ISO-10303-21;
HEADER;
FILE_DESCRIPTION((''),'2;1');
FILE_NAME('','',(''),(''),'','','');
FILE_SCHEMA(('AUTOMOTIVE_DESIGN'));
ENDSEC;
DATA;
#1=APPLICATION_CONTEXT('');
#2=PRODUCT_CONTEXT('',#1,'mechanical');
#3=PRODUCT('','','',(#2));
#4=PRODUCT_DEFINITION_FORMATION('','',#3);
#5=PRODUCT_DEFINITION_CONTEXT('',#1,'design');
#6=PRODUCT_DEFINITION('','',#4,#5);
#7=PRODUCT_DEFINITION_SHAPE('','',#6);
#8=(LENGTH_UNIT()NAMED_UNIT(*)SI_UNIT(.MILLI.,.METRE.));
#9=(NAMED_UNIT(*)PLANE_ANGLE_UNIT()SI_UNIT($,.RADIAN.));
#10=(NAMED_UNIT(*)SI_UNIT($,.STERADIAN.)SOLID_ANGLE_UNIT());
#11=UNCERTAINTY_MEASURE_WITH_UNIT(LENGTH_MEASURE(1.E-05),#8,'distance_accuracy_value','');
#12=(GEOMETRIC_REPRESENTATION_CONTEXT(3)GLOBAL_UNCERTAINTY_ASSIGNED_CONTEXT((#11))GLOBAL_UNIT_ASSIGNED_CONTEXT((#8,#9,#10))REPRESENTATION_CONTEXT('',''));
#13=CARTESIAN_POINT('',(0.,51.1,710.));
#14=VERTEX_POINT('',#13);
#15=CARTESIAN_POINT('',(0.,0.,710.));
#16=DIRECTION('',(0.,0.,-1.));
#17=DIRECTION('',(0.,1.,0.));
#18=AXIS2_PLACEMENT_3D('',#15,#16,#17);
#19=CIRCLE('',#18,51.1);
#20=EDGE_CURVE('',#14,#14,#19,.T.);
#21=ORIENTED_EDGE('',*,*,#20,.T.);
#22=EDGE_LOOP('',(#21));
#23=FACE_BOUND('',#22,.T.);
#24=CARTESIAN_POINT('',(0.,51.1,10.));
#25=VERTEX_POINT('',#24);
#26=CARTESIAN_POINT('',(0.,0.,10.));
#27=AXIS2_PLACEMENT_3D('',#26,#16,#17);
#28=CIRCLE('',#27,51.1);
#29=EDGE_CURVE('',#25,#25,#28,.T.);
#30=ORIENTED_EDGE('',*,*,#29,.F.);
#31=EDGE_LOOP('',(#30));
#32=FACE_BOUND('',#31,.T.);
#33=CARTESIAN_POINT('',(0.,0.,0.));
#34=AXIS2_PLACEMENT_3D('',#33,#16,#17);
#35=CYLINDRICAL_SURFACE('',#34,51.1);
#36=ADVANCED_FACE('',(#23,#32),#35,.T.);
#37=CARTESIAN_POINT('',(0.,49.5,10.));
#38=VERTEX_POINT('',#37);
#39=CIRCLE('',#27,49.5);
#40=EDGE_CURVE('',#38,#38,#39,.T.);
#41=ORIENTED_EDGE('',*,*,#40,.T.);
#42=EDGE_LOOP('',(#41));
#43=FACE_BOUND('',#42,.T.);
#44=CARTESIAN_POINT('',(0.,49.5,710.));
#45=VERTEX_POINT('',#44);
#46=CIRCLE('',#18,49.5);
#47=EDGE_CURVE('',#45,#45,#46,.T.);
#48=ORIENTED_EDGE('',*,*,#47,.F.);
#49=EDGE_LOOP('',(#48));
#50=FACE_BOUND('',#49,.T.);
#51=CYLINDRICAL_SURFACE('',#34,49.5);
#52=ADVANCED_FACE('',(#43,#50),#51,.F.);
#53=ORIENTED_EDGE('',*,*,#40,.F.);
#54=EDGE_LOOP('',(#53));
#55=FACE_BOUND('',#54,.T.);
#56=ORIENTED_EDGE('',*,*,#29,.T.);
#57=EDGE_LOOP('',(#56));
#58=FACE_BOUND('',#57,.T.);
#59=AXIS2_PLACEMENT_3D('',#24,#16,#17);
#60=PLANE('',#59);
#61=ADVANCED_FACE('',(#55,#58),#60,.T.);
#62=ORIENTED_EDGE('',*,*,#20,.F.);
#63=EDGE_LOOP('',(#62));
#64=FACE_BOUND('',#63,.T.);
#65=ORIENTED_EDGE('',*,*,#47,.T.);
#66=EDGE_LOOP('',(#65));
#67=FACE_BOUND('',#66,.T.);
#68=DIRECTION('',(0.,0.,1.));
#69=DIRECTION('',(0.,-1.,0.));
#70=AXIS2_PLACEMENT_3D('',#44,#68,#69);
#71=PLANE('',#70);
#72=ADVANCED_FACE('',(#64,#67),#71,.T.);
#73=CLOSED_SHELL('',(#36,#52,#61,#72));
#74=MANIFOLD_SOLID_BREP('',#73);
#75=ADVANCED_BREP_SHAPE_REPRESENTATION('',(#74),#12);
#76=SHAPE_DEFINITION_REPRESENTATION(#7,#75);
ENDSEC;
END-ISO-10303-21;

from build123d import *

# Parameters (mm, degrees)
ESQUISSE2_W = 700
ESQUISSE2_H = 1.6


with BuildPart() as part:
    # Esquisse2 → Révolution1 (revolve)
    with BuildSketch(Plane(origin=(0, 0, 0), x_dir=(0, 0, -1), z_dir=(1, 0, 0))):
        with Locations((-360, 50.3)):
            Rectangle(ESQUISSE2_W, ESQUISSE2_H)
    revolve(axis=Axis((0, 0, 0), (0, 0, 1)))


solid = part.part
